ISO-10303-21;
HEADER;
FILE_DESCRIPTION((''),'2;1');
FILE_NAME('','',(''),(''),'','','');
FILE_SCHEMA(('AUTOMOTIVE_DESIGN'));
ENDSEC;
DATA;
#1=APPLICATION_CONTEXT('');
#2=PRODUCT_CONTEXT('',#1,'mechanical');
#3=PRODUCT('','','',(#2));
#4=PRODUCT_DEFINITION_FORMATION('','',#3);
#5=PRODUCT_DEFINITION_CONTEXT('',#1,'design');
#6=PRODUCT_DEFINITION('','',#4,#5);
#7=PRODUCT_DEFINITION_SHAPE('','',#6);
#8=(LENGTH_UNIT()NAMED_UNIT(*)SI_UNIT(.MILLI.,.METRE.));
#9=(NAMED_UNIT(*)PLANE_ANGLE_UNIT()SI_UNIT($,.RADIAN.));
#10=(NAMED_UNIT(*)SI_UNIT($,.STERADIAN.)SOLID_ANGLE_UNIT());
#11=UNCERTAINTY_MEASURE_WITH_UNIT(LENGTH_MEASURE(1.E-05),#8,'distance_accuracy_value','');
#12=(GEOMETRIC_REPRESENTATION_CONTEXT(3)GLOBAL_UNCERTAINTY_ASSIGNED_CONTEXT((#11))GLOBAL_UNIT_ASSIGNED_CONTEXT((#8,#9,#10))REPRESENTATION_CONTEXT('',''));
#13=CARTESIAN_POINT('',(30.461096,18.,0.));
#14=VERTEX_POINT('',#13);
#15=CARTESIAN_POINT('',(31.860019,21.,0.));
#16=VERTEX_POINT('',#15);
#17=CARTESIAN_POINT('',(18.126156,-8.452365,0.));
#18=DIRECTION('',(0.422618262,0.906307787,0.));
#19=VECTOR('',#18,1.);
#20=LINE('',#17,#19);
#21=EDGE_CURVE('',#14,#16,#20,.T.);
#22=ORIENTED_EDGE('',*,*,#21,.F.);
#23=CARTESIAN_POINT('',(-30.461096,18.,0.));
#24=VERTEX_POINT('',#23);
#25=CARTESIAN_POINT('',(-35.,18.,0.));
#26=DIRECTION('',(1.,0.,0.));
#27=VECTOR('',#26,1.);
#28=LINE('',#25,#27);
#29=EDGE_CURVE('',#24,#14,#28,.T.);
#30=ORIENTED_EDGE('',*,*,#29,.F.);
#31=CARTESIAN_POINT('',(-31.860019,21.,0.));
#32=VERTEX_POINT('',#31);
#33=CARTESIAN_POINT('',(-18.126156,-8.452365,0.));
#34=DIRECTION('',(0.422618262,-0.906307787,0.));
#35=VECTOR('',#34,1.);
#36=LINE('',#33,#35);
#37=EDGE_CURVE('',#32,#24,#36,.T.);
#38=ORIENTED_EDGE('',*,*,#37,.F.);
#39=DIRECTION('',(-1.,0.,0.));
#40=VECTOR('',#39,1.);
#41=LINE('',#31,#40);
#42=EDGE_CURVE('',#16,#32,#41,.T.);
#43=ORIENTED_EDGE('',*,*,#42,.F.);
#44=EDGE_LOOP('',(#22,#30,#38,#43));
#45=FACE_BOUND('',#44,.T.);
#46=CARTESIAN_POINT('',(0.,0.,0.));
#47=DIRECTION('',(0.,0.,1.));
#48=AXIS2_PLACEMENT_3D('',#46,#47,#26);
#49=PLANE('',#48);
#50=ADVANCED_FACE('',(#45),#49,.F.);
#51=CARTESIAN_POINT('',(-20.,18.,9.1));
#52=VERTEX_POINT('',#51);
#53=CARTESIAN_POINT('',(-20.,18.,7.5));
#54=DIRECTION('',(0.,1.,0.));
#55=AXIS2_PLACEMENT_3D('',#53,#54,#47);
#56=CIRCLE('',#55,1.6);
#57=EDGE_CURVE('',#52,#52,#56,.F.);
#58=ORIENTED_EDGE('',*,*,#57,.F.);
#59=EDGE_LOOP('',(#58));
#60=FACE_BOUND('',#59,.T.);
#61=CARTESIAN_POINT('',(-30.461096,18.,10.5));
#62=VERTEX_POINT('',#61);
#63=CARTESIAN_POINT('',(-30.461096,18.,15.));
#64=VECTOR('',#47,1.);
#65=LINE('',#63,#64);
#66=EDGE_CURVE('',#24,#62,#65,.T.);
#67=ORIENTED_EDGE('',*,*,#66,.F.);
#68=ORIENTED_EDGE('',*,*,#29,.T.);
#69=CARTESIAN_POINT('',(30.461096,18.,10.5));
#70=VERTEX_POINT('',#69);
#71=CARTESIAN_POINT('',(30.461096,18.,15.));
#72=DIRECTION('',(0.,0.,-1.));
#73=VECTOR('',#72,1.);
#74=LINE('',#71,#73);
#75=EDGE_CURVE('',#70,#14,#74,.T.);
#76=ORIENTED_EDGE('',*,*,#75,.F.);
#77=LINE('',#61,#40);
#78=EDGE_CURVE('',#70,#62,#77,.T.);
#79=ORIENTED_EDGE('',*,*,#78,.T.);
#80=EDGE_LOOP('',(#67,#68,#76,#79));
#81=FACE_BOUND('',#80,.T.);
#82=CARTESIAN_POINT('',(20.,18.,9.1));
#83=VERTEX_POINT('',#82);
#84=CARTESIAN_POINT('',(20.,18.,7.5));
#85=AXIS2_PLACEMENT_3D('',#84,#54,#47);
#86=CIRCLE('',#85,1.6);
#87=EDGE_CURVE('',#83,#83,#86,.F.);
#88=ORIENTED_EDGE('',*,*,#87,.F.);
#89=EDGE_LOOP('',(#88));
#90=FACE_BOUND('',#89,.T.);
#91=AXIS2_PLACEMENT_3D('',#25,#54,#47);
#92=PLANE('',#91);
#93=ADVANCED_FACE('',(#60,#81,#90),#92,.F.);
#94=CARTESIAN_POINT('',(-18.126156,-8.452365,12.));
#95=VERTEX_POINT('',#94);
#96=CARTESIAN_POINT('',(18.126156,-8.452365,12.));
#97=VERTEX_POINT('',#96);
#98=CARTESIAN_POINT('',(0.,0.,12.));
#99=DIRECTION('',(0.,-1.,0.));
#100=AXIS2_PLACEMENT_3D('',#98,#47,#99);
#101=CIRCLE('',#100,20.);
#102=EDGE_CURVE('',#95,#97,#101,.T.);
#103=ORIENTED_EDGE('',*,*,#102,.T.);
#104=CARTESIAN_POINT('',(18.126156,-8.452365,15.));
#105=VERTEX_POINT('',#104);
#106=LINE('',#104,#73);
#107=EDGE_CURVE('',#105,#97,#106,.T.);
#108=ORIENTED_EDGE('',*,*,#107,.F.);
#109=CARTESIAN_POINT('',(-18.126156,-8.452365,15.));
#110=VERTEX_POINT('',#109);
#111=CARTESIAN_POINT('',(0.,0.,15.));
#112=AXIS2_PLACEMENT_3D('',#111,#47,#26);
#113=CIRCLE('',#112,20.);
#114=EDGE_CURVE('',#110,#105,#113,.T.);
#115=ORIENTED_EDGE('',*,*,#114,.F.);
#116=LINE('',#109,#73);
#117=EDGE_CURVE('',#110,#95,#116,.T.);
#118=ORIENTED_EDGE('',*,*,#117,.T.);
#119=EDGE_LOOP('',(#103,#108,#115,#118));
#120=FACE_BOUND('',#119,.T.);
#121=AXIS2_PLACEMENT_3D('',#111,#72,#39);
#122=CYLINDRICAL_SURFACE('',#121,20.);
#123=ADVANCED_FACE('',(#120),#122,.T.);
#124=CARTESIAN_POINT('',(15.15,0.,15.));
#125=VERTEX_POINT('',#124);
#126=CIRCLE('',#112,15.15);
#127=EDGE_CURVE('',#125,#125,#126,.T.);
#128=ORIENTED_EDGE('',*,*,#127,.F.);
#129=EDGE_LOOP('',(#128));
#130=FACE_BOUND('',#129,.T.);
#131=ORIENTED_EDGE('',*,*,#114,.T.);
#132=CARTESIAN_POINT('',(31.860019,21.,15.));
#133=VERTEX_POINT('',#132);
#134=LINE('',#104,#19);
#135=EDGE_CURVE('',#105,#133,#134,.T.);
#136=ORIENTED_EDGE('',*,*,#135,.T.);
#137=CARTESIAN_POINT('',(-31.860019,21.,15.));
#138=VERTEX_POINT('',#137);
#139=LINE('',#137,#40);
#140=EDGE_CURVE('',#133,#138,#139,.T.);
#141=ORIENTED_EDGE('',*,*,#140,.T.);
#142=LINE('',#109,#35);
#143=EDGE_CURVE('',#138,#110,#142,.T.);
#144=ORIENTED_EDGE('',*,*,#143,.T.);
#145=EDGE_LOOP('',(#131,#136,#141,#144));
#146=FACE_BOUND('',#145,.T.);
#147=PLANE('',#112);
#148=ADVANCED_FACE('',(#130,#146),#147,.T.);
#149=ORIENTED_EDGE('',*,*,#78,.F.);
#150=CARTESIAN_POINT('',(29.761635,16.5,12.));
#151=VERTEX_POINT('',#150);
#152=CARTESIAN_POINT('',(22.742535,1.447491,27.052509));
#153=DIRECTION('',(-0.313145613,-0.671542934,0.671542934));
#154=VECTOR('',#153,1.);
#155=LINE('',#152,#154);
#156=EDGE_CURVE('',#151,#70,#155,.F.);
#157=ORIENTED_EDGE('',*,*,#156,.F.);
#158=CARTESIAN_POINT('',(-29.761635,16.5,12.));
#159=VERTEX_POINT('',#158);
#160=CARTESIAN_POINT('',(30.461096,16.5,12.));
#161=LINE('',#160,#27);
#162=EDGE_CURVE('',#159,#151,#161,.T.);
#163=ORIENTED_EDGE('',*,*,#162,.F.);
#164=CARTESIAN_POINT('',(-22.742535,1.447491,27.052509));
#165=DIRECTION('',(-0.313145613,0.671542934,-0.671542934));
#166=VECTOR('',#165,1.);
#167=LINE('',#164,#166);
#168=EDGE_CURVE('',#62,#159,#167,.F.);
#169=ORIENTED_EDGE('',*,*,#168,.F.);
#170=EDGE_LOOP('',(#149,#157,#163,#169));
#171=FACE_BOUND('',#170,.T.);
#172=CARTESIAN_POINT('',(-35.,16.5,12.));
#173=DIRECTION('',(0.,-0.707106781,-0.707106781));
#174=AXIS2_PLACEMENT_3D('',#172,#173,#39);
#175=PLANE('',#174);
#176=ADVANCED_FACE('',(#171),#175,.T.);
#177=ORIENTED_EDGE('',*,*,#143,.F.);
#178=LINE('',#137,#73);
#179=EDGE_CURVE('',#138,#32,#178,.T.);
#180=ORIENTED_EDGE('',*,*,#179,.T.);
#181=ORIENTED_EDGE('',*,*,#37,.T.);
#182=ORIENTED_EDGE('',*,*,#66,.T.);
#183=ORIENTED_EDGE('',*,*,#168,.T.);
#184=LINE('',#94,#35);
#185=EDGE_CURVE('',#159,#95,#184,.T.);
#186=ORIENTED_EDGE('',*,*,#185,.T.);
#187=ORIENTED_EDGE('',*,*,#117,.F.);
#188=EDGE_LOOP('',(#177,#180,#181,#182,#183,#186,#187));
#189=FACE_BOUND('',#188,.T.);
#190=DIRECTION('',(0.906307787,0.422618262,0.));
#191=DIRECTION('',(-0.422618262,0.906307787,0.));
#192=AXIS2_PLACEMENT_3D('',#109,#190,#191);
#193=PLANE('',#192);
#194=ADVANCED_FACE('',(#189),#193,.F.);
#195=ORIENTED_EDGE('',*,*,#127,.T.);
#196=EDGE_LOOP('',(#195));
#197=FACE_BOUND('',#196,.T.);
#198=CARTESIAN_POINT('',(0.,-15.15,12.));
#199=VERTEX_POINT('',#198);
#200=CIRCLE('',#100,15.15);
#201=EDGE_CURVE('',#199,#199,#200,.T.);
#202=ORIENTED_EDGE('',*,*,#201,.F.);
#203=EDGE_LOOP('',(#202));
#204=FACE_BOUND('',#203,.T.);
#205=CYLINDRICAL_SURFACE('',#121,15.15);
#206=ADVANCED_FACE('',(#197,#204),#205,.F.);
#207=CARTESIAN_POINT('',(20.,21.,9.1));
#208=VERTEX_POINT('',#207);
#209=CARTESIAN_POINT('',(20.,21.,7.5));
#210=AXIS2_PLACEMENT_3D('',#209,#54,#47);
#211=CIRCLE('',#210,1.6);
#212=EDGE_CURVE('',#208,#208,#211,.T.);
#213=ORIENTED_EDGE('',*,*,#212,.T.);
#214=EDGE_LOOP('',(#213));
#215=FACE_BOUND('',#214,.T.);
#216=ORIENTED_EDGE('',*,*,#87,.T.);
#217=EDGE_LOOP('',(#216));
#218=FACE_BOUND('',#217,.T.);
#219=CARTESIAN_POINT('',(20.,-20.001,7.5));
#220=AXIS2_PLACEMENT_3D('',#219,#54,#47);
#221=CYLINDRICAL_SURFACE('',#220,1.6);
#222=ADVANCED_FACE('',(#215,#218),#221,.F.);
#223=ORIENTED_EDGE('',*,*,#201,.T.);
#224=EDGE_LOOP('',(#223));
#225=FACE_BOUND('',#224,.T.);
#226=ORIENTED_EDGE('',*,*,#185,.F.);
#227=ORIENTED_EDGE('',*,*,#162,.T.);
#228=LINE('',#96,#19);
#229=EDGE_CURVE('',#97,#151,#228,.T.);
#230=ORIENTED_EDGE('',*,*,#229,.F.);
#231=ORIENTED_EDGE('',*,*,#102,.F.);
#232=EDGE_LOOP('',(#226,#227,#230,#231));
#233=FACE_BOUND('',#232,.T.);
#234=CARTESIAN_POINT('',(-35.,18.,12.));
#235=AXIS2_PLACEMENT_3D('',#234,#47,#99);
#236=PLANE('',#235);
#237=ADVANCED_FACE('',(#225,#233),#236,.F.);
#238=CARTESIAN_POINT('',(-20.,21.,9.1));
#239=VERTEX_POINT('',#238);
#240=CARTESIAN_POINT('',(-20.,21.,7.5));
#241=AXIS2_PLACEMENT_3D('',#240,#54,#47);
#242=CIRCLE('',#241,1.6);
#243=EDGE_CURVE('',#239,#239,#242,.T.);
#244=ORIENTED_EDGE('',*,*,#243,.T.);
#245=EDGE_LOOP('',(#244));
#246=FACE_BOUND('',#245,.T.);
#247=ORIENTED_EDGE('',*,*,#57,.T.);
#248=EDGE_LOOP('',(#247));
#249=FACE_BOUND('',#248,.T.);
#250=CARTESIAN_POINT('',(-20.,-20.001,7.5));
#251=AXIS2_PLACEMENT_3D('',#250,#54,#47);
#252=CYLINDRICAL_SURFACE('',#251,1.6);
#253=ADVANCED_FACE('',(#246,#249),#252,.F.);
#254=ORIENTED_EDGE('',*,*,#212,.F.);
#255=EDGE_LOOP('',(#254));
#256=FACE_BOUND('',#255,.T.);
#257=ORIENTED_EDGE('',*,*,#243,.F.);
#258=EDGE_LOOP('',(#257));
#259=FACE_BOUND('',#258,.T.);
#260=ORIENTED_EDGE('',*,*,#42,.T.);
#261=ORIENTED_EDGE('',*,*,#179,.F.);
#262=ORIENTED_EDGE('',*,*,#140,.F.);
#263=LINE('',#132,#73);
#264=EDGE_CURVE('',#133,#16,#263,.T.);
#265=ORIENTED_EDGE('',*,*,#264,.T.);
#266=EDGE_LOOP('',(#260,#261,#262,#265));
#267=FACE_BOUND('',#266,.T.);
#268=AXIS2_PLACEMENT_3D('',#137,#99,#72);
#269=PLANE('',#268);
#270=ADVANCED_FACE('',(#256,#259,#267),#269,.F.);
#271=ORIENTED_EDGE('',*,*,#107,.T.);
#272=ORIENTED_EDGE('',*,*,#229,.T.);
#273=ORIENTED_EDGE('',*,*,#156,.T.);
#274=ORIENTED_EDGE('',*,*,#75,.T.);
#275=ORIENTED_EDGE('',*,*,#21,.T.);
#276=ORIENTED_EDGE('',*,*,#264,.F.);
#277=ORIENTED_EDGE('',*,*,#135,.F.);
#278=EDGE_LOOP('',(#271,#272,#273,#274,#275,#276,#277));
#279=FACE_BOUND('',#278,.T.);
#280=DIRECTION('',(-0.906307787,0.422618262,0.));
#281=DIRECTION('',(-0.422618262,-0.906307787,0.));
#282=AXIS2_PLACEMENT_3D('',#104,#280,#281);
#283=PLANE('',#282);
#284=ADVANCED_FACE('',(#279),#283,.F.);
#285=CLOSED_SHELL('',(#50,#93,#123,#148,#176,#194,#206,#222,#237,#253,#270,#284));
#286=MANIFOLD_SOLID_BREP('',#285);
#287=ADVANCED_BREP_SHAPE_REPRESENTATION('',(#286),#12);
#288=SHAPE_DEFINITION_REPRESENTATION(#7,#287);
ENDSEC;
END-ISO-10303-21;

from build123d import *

# Parameters (mm, degrees)
SKETCH_1_R          = 15.15
EXTRUDE_1_DEPTH     = 15
SKETCH_2_W          = 12
SKETCH_2_H          = 38
CUT_EXTRUDE_1_DEPTH = 35
CUT_EXTRUDE_2_REACH = 56.047
SKETCH_3_R          = 1.6
CHAMFER_1_SIZE      = 1.5


with BuildPart() as part:
    # ｽｹｯﾁ1 → ﾎﾞｽ - 押し出し1 (new body)
    with BuildSketch(Plane.XY):
        with BuildLine():
            Line((-18.126155741, -8.452365235), (-31.860019201, 21))
            Line((-31.860019201, 21), (31.860019201, 21))
            Line((31.860019201, 21), (18.126155741, -8.452365235))
            ThreePointArc((18.126155741, -8.452365235), (0, -20), (-18.126155741, -8.452365235))
        make_face()
        Circle(SKETCH_1_R, mode=Mode.SUBTRACT)
    extrude(amount=EXTRUDE_1_DEPTH)

    # ｽｹｯﾁ2 → ｶｯﾄ - 押し出し1 (cut, symmetric)
    with BuildSketch(Plane(origin=(0, 0, 0), x_dir=(0, 0, -1), z_dir=(1, 0, 0))):
        with Locations((-6, -1)):
            Rectangle(SKETCH_2_W, SKETCH_2_H)
    extrude(amount=CUT_EXTRUDE_1_DEPTH, both=True, mode=Mode.SUBTRACT)

    # ｽｹｯﾁ3 → ｶｯﾄ - 押し出し2 (cut, up to next)
    with BuildSketch(Plane(origin=(0, 21, 0), x_dir=(1, 0, 0), z_dir=(0, 1, 0)), mode=Mode.PRIVATE) as cut_extrude_2_sk1:
        with Locations(Location((-20, -7.5, 0), (0, 0, 270))):
            Circle(SKETCH_3_R)
    cut_extrude_2_tool1 = extrude(cut_extrude_2_sk1.sketch, amount=-CUT_EXTRUDE_2_REACH, mode=Mode.PRIVATE) & part.part
    # ｽｹｯﾁ3 → ｶｯﾄ - 押し出し2 (cut, up to next)
    with BuildSketch(Plane(origin=(0, 21, 0), x_dir=(1, 0, 0), z_dir=(0, 1, 0)), mode=Mode.PRIVATE) as cut_extrude_2_sk2:
        with Locations(Location((20, -7.5, 0), (0, 0, 270))):
            Circle(SKETCH_3_R)
    cut_extrude_2_tool2 = extrude(cut_extrude_2_sk2.sketch, amount=-CUT_EXTRUDE_2_REACH, mode=Mode.PRIVATE) & part.part
    add(cut_extrude_2_tool1.solids().sort_by_distance((-20, 21, 7.5))[0], mode=Mode.SUBTRACT)
    add(cut_extrude_2_tool2.solids().sort_by_distance((20, 21, 7.5))[0], mode=Mode.SUBTRACT)

    # 面取り1
    chamfer_1_edges = [part.edges().sort_by_distance(p)[0] for p in [
        (0, 18, 12),
    ]]
    chamfer(chamfer_1_edges, length=CHAMFER_1_SIZE)


solid = part.part
